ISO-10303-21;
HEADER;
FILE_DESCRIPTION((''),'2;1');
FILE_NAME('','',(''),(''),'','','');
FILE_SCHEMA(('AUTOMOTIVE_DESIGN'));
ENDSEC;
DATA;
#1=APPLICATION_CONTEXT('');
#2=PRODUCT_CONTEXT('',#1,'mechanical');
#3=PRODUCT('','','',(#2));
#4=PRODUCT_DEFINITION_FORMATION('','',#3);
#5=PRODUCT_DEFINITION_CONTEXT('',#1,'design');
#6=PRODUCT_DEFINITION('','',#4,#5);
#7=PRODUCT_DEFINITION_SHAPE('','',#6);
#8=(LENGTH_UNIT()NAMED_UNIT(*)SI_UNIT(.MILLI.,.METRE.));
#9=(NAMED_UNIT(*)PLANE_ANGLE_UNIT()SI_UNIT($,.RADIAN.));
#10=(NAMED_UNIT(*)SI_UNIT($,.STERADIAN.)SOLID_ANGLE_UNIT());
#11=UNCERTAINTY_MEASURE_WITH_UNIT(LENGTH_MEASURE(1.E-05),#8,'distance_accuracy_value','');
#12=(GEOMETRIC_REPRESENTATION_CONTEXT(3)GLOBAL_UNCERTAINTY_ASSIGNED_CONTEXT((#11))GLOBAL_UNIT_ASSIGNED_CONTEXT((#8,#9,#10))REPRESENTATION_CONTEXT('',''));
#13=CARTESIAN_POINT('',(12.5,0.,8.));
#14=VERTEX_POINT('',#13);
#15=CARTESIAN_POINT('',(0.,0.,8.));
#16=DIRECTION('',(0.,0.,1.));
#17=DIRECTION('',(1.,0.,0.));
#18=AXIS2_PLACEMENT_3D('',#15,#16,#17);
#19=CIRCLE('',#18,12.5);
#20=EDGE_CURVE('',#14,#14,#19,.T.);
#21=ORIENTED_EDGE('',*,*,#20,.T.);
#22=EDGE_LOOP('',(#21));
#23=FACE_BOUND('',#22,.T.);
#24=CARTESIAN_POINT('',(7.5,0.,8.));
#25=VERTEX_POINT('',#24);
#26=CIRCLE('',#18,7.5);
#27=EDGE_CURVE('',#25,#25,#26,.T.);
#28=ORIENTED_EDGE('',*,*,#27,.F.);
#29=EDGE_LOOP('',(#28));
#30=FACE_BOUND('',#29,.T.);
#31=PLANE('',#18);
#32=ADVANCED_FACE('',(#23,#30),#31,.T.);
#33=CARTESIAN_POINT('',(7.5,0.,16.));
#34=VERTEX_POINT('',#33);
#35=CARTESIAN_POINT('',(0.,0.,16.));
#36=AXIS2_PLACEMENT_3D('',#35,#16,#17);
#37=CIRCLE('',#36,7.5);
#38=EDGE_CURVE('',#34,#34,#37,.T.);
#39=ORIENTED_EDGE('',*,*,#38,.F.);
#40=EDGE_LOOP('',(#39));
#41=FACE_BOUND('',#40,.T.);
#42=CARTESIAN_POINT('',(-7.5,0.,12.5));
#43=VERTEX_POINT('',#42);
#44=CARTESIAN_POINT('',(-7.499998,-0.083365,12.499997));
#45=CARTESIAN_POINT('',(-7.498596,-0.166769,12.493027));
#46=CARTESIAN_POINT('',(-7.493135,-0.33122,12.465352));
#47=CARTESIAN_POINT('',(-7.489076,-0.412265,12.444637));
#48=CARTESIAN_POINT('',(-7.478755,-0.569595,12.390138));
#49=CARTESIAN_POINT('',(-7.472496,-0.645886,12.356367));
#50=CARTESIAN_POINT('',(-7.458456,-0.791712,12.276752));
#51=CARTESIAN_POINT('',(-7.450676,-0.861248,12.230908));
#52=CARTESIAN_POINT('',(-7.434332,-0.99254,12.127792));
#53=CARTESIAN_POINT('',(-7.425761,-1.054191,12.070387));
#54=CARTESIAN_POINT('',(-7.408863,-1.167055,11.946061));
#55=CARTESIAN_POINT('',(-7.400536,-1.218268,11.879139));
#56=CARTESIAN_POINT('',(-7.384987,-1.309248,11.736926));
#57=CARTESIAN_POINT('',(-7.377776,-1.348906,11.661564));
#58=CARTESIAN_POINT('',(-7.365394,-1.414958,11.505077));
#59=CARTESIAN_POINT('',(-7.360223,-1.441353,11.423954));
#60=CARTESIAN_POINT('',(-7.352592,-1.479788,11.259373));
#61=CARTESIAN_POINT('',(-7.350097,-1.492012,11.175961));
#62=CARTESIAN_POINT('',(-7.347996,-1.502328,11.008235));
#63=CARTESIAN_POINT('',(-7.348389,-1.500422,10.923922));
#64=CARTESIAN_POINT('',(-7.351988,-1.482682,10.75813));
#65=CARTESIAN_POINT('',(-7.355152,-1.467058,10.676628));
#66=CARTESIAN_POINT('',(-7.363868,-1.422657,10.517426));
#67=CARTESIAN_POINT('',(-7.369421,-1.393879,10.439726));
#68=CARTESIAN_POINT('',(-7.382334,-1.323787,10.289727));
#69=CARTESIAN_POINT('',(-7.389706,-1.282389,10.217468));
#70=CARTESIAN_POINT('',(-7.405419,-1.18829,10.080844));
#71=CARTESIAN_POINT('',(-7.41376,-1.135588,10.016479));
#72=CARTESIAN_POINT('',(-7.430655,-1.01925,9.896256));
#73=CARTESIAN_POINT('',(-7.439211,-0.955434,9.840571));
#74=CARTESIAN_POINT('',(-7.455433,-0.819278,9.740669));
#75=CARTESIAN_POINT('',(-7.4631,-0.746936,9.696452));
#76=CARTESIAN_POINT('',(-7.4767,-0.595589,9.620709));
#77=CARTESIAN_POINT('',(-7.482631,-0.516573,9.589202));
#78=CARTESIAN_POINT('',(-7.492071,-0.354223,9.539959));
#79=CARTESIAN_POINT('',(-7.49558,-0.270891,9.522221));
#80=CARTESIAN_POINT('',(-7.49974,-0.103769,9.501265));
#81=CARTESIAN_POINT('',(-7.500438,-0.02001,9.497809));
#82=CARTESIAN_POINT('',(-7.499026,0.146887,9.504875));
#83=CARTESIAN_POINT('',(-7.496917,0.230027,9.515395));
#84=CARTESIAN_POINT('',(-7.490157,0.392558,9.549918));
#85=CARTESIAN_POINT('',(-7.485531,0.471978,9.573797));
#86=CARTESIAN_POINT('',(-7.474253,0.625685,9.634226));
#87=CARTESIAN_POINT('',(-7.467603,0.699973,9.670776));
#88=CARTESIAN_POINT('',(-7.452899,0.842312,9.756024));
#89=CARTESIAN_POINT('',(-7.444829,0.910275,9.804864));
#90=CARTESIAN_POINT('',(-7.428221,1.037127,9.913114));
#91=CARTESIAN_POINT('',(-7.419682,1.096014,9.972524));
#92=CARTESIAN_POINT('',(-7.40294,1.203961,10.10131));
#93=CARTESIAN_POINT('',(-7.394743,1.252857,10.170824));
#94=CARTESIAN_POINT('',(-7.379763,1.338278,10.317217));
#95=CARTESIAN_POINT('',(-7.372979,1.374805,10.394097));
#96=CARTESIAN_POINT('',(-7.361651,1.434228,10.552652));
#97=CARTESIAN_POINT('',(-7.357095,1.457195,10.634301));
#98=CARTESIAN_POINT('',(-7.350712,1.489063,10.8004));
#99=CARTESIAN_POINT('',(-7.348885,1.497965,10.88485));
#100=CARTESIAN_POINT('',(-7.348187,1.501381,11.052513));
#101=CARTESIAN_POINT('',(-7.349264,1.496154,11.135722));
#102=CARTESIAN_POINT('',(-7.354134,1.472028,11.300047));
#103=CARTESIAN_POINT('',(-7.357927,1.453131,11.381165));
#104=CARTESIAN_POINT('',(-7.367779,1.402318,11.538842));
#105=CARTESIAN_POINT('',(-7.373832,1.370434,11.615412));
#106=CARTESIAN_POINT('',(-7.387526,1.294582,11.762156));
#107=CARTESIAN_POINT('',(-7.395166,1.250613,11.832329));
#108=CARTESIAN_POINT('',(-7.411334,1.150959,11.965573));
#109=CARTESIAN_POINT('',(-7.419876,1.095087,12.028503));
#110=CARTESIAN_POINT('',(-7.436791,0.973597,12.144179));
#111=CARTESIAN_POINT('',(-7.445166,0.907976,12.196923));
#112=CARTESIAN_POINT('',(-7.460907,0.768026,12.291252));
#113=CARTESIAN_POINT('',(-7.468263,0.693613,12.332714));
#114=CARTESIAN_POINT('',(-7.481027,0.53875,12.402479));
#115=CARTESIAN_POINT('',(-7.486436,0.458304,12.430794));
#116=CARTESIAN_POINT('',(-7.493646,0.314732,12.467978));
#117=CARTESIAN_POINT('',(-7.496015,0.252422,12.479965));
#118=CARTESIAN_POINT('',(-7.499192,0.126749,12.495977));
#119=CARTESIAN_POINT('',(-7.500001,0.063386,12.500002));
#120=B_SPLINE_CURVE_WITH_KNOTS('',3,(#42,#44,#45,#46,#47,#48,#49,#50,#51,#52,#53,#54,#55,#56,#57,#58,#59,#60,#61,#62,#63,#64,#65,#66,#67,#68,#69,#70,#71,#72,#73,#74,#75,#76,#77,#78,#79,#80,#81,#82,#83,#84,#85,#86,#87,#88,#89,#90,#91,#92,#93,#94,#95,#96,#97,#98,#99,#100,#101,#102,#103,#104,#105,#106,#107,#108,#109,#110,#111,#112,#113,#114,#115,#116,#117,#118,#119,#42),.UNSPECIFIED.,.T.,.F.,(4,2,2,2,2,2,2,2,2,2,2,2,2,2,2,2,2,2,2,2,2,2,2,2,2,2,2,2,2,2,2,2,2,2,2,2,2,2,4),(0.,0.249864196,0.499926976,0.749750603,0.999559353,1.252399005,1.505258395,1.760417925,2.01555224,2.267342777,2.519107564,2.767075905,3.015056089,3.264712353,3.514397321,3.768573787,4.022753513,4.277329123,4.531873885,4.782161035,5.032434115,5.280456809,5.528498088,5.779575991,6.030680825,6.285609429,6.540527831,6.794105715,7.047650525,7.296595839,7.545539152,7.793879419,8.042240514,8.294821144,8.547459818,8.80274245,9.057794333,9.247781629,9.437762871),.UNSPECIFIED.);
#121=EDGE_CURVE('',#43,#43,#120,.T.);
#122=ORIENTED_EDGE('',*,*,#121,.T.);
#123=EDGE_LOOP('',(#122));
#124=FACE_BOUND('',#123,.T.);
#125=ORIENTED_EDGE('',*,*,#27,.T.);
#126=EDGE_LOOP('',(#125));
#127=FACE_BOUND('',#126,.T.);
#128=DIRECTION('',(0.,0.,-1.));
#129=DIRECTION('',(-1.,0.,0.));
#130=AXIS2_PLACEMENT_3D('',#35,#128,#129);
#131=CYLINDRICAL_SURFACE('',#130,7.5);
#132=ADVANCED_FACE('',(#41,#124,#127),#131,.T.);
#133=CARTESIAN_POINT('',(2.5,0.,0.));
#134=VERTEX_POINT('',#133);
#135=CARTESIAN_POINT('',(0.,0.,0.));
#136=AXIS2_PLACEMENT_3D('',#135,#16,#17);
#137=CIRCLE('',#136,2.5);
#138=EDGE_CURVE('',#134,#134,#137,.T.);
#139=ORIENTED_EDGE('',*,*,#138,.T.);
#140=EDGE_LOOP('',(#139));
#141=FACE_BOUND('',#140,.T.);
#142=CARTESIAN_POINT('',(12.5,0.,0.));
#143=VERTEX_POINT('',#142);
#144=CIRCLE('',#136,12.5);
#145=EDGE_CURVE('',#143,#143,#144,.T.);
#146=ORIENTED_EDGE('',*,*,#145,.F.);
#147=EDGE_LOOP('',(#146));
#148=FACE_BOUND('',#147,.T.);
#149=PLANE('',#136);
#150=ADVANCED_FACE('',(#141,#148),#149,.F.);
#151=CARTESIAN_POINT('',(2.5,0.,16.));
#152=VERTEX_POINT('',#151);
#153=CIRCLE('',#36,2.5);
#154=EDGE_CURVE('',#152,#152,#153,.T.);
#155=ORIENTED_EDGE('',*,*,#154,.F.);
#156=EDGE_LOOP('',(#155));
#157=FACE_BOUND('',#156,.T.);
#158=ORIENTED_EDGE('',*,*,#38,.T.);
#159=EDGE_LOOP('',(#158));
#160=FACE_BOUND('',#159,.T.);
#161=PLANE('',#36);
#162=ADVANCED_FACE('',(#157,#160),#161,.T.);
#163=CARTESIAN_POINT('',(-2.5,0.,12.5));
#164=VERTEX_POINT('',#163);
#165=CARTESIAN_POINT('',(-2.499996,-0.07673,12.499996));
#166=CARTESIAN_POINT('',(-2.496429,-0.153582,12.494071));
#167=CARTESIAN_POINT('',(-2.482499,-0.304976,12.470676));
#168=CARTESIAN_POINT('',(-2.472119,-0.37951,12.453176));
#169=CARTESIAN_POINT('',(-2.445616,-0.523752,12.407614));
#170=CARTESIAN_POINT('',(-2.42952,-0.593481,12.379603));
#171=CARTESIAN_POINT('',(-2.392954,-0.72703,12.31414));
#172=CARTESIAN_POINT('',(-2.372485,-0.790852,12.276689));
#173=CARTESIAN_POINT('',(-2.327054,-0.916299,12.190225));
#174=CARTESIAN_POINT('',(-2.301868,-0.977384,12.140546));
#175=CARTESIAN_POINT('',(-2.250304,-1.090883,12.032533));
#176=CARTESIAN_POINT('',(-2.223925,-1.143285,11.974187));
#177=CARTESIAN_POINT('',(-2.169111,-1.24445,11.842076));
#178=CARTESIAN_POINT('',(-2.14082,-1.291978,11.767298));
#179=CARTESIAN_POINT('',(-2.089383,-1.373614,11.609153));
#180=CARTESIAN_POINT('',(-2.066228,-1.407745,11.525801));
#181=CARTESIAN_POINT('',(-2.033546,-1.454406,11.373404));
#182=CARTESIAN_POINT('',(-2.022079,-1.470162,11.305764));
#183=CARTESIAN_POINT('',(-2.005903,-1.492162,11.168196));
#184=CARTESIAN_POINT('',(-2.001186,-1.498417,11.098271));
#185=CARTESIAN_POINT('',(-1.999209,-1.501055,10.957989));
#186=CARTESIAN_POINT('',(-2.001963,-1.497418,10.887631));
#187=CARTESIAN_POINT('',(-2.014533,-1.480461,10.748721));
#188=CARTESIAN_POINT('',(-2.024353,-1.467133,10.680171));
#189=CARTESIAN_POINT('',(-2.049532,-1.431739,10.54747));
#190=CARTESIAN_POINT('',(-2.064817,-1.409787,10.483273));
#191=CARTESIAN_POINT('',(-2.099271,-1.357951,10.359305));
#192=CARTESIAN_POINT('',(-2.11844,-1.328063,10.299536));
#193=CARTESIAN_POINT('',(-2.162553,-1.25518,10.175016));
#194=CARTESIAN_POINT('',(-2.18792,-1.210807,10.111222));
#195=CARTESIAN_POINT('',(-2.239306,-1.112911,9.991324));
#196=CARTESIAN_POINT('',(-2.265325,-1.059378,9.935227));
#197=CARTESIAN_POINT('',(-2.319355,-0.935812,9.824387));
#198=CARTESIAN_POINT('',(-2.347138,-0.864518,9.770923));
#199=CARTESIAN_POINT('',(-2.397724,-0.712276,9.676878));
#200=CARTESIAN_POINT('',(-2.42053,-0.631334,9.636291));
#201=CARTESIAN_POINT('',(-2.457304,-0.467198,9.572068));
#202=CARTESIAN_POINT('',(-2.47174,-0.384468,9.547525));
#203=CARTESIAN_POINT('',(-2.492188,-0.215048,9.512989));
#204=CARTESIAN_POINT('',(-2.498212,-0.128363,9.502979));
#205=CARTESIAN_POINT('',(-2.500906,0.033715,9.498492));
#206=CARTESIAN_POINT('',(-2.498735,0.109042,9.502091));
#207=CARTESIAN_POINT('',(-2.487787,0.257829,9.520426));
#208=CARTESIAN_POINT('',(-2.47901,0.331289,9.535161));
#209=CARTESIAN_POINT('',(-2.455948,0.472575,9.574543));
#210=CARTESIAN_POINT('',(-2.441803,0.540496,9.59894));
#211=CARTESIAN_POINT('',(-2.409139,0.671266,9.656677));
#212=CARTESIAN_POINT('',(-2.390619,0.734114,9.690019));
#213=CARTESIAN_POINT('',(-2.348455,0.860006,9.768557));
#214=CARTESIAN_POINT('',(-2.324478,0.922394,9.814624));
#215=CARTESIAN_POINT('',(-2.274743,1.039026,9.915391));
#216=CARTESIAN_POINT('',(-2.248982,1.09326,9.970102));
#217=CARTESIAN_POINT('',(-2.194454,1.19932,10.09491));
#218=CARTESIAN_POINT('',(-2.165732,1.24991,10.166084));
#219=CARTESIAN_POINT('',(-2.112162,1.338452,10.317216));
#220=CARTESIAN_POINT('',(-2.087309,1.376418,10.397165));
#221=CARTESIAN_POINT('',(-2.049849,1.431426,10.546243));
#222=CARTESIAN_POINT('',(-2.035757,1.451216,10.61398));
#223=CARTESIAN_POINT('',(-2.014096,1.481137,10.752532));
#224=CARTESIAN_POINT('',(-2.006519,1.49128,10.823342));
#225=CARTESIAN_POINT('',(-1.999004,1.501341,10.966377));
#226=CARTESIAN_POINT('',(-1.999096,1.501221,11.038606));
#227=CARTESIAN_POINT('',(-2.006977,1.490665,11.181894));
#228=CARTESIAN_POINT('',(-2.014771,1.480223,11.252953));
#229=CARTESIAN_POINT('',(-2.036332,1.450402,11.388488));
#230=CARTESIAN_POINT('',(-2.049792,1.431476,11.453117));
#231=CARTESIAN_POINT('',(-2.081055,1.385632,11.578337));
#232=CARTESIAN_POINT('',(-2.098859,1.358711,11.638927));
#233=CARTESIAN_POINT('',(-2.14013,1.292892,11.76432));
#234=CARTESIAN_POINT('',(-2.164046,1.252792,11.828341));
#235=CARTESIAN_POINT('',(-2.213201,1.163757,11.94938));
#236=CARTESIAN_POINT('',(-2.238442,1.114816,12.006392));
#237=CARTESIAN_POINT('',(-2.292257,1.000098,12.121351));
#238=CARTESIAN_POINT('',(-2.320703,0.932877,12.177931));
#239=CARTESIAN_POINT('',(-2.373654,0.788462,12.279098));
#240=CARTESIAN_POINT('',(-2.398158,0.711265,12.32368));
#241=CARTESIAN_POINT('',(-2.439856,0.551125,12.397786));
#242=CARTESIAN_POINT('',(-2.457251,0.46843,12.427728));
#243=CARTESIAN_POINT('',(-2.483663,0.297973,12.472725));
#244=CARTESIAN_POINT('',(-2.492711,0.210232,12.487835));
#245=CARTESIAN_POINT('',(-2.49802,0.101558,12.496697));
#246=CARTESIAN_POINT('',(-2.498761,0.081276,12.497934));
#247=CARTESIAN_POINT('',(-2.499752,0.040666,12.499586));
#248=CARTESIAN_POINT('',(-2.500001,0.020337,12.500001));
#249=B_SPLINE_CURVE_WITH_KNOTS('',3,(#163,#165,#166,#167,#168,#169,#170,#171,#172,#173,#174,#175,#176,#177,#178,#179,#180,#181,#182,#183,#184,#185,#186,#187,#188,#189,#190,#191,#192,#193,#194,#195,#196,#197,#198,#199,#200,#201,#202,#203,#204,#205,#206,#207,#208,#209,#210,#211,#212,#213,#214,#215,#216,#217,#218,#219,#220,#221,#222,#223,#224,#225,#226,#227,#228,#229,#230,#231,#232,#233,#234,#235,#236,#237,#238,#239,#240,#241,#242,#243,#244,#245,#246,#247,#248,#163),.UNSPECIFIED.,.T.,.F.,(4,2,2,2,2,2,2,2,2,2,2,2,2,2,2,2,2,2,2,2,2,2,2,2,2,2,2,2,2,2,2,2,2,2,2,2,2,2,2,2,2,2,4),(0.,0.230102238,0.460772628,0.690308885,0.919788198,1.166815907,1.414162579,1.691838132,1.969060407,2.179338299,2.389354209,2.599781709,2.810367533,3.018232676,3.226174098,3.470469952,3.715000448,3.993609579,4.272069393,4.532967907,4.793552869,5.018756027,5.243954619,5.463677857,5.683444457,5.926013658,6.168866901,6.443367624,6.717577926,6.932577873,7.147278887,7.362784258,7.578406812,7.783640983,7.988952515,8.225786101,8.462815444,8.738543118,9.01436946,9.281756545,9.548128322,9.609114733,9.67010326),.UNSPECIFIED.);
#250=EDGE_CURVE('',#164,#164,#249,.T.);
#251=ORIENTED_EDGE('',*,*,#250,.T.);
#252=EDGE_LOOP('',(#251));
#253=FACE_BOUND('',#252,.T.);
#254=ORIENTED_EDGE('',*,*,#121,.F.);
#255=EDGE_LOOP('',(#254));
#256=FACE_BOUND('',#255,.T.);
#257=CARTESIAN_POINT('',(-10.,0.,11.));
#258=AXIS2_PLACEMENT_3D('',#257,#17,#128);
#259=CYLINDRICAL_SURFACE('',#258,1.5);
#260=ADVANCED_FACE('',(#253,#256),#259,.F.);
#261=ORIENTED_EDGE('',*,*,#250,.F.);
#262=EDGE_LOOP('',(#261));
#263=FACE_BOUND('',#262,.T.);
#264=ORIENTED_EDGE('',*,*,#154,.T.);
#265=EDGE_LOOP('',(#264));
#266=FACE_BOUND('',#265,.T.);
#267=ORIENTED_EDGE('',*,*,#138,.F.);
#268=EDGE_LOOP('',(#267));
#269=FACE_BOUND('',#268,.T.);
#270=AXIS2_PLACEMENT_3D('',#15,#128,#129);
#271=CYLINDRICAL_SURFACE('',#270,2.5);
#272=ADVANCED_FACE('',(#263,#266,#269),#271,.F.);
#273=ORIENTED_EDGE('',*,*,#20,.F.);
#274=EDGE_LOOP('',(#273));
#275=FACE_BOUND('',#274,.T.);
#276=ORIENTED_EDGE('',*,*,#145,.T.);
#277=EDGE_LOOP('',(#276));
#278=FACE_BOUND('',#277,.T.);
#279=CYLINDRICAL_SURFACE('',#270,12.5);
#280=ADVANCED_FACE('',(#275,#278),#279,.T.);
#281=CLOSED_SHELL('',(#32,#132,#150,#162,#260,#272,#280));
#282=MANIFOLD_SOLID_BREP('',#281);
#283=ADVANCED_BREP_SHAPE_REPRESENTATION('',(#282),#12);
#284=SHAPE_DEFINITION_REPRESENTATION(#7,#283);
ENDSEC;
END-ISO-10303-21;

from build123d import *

# Parameters (mm, degrees)
SKETCH_1_R          = 12.5
SKETCH_1_R_2        = 2.5
EXTRUDE_1_DEPTH     = 8
SKETCH_2_R          = 7.5
SKETCH_2_R_2        = 2.5
EXTRUDE_2_DEPTH     = 8
SKETCH_4_R          = 1.5
CUT_EXTRUDE_1_DEPTH = 10


with BuildPart() as part:
    # Эскиз1 → Бобышка-Вытянуть1 (new body)
    with BuildSketch(Plane.XY):
        Circle(SKETCH_1_R)
        Circle(SKETCH_1_R_2, mode=Mode.SUBTRACT)
    extrude(amount=EXTRUDE_1_DEPTH)

    # Эскиз2 → Бобышка-Вытянуть2 (add)
    with BuildSketch(Plane.XY.offset(8)):
        Circle(SKETCH_2_R)
        Circle(SKETCH_2_R_2, mode=Mode.SUBTRACT)
    extrude(amount=EXTRUDE_2_DEPTH)

    # Эскиз4 → Вырез-Вытянуть1 (cut)
    with BuildSketch(Plane(origin=(0, 0, 0), x_dir=(0, 0, -1), z_dir=(1, 0, 0))):
        with Locations((-11, 0)):
            Circle(SKETCH_4_R)
    extrude(amount=-CUT_EXTRUDE_1_DEPTH, mode=Mode.SUBTRACT)


solid = part.part
